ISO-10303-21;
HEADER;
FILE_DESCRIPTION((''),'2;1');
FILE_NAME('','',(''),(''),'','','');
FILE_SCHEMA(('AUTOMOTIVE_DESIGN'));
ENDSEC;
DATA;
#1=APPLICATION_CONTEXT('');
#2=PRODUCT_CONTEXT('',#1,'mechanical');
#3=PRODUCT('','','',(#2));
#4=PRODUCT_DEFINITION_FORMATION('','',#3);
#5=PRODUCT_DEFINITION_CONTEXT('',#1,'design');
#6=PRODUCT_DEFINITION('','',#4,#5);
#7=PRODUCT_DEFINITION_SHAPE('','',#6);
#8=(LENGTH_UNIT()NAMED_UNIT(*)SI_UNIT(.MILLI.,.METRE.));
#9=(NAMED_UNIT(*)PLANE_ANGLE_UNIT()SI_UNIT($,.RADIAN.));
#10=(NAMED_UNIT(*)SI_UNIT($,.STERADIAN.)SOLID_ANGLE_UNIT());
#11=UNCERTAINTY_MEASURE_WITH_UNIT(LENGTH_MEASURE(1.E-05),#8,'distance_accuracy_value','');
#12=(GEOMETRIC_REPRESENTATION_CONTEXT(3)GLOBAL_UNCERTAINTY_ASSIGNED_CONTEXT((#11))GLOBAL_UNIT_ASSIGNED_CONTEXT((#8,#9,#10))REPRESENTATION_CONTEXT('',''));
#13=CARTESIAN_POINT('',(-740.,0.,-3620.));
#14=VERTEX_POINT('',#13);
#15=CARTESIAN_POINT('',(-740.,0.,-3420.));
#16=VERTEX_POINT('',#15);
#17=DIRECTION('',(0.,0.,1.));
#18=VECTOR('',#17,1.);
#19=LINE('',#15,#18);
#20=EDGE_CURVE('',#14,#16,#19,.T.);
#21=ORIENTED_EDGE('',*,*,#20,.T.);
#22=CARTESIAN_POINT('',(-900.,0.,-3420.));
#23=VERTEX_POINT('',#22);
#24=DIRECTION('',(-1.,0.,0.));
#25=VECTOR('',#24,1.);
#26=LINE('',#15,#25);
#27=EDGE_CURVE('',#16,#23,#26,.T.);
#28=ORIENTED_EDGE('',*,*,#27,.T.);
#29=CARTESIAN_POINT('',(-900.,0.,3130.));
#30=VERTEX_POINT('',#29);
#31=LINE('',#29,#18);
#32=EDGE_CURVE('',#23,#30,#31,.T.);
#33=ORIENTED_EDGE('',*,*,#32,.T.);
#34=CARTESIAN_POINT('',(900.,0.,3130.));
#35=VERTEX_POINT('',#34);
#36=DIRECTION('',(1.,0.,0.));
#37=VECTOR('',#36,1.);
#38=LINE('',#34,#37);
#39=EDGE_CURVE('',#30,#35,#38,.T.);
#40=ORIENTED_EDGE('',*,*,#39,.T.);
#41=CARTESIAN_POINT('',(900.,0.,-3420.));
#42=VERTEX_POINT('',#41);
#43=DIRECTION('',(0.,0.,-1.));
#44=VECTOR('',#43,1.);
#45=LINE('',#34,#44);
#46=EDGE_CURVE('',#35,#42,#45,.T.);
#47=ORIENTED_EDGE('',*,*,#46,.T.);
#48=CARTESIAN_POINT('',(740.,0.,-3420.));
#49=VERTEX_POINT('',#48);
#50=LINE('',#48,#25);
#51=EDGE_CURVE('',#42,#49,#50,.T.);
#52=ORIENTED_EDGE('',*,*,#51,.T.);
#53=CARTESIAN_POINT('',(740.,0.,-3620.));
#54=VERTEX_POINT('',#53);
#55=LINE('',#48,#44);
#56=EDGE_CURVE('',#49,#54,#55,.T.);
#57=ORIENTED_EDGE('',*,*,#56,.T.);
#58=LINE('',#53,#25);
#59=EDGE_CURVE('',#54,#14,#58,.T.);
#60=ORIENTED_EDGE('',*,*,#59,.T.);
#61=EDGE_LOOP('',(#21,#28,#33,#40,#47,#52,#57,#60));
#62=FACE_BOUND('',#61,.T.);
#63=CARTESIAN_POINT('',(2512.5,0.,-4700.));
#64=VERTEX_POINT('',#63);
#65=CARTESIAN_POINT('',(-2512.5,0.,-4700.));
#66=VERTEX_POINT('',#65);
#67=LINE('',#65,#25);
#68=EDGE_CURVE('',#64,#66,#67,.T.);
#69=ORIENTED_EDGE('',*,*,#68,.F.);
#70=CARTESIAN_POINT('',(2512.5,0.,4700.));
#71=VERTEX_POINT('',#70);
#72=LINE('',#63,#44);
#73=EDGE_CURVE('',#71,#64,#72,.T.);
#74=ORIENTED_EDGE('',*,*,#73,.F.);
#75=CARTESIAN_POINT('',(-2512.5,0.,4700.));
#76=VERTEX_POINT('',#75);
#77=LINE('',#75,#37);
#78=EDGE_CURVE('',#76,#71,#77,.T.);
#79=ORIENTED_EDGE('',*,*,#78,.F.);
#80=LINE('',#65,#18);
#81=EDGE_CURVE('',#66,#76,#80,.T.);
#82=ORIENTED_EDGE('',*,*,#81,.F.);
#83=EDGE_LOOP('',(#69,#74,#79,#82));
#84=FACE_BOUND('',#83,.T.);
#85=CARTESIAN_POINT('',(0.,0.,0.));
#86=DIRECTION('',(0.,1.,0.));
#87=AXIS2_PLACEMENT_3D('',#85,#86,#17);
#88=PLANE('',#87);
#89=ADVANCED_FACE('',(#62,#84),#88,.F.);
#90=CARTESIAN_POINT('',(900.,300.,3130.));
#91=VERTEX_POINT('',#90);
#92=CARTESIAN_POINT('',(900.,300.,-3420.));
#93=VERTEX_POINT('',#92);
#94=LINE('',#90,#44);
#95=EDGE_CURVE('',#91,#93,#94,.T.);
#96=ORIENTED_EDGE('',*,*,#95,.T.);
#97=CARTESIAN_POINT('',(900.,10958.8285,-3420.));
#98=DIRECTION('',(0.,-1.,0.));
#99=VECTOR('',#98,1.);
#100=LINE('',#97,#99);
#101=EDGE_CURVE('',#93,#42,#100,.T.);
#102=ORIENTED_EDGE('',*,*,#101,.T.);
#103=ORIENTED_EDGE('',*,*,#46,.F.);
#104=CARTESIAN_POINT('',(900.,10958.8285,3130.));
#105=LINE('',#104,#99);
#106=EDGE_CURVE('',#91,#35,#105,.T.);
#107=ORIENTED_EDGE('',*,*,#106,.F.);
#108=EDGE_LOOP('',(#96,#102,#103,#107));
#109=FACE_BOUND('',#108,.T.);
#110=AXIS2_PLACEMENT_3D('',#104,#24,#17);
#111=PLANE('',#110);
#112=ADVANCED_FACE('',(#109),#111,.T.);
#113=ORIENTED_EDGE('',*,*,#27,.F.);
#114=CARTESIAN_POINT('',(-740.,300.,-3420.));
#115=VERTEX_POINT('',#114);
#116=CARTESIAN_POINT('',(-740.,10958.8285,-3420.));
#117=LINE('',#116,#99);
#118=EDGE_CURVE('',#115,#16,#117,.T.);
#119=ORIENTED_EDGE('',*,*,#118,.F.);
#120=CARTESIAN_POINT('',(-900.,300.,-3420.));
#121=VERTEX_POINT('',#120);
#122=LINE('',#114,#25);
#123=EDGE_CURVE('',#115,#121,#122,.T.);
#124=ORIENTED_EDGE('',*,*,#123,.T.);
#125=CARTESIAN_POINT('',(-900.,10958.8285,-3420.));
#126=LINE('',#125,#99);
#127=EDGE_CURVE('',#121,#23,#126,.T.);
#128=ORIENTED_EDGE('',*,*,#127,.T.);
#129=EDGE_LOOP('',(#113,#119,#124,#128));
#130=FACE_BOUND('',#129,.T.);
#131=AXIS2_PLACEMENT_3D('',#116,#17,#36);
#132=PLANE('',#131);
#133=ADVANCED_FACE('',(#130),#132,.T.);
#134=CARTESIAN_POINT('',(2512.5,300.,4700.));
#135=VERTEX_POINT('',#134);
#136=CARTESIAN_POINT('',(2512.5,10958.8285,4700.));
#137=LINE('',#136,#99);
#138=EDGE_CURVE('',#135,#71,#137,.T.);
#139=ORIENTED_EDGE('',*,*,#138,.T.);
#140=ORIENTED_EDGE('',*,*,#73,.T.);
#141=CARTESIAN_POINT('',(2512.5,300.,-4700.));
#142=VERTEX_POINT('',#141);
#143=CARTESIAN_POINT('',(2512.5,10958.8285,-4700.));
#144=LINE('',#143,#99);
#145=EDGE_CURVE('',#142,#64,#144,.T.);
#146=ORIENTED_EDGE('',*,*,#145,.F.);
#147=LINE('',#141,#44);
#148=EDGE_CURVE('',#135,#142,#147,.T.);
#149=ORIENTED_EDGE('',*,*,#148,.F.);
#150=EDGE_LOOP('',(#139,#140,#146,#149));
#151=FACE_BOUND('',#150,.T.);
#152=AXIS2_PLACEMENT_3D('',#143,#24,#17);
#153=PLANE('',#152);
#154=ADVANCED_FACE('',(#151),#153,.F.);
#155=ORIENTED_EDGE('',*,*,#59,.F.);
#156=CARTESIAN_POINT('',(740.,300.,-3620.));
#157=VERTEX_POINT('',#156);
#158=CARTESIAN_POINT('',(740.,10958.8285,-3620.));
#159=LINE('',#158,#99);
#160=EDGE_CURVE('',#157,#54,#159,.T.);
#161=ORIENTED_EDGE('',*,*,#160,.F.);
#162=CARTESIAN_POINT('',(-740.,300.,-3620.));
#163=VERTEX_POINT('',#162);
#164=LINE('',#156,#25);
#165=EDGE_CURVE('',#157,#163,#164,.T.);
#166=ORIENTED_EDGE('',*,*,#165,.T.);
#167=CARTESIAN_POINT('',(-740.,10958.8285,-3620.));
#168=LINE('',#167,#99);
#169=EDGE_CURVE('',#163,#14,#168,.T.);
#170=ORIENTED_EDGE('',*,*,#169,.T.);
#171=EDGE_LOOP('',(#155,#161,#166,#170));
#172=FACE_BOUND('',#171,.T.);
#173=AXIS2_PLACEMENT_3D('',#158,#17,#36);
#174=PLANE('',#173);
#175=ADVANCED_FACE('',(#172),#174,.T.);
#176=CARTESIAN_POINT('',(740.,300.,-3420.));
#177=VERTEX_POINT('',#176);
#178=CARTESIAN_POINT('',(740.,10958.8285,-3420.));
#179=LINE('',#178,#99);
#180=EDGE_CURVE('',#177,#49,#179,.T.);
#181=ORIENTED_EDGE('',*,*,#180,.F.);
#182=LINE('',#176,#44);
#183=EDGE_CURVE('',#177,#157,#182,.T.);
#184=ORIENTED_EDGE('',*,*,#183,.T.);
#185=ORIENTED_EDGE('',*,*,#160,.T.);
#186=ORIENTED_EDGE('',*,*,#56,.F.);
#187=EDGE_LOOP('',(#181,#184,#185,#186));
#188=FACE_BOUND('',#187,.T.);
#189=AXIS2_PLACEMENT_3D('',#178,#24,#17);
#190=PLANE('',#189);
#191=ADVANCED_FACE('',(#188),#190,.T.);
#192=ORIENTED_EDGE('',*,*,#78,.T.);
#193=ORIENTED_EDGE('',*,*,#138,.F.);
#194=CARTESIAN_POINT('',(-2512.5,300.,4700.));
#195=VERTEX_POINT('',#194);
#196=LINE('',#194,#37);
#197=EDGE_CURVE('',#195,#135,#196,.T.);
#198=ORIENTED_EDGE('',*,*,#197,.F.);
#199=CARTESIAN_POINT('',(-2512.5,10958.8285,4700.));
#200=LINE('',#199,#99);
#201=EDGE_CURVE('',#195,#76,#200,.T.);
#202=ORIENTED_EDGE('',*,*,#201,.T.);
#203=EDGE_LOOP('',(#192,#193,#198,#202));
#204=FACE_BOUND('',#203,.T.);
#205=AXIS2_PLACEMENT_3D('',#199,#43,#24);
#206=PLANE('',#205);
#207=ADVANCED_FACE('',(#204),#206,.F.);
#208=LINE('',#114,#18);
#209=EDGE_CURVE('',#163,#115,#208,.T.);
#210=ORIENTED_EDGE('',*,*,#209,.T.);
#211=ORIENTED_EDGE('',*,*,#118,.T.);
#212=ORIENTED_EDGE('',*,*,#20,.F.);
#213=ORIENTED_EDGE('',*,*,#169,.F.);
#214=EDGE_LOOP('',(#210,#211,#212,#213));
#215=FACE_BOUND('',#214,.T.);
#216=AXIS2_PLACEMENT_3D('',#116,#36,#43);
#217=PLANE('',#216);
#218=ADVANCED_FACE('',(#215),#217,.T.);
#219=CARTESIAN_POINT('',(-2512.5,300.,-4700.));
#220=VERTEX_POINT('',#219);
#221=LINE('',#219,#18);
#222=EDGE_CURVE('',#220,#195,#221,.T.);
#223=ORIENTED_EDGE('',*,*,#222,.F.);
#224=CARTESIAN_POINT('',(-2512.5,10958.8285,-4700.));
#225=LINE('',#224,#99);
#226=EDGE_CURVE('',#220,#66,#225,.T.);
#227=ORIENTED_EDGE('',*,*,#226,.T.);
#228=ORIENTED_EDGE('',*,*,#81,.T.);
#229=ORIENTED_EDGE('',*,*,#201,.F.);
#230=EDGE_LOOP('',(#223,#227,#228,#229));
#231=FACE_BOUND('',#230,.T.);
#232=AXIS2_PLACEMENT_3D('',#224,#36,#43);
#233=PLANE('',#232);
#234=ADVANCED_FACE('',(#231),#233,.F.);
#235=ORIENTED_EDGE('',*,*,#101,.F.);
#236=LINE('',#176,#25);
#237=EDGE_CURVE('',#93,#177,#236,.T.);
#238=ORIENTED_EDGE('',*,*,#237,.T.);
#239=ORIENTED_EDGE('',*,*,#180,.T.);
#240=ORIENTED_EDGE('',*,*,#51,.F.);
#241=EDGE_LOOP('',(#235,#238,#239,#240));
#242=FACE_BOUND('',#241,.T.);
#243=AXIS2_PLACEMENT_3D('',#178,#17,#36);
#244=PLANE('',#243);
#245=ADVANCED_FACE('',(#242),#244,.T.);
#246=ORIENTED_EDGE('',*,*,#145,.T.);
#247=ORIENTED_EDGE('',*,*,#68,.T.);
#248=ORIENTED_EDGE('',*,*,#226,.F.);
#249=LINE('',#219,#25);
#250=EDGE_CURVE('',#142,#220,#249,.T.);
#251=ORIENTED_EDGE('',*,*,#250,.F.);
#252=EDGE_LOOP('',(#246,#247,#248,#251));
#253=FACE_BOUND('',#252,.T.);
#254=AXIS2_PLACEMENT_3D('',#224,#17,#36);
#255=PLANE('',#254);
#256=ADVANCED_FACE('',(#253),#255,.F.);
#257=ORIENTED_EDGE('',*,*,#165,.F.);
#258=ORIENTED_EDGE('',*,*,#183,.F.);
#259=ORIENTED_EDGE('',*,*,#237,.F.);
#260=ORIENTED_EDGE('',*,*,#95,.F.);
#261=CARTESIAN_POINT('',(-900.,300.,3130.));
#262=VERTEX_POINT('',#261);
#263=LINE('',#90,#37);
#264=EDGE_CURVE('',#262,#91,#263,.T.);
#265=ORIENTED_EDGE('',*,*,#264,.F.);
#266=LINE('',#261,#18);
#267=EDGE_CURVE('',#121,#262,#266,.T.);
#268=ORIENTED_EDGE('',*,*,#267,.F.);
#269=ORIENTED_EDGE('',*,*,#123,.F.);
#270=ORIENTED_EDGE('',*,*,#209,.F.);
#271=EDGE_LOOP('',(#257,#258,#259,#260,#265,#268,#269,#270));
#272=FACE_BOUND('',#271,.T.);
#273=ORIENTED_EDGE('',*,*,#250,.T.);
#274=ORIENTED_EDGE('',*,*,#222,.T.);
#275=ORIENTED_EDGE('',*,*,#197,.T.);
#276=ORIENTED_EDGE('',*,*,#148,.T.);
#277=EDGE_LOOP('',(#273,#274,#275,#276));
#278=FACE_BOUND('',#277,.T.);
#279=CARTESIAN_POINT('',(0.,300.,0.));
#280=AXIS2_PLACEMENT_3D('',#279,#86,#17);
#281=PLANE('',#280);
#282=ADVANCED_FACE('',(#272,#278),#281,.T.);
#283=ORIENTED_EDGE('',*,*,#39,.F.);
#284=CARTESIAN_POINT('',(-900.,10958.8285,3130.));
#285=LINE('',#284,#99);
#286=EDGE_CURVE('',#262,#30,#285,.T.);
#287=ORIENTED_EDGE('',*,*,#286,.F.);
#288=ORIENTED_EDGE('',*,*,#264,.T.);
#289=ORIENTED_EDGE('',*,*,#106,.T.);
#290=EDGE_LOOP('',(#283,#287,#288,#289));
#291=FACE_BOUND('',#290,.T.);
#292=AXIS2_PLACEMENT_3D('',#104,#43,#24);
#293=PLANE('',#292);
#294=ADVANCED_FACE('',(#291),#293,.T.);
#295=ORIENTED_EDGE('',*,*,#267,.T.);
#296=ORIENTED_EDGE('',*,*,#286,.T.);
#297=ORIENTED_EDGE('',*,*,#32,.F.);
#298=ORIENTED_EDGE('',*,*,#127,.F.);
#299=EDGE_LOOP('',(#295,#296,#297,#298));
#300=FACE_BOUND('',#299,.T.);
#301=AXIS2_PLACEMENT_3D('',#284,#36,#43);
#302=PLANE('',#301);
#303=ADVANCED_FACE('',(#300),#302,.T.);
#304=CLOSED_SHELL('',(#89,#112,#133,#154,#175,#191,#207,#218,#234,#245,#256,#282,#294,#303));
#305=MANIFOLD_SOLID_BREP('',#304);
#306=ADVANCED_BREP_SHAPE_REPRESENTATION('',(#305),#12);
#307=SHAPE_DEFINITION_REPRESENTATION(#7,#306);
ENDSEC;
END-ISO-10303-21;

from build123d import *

# Parameters (mm, degrees)
SKETCH_1_W      = 5025
SKETCH_1_H      = 9400
EXTRUDE_1_DEPTH = 300


with BuildPart() as part:
    # Эскиз1 → Бобышка-Вытянуть1 (new body)
    with BuildSketch(Plane(origin=(0, 0, 0), x_dir=(1, 0, 0), z_dir=(0, 1, 0))):
        Rectangle(SKETCH_1_W, SKETCH_1_H)
        Polygon((900, -3130), (-900, -3130), (-900, 3420), (-740, 3420), (-740, 3620), (740, 3620), (740, 3420), (900, 3420), align=None, mode=Mode.SUBTRACT)
    extrude(amount=EXTRUDE_1_DEPTH)


solid = part.part
